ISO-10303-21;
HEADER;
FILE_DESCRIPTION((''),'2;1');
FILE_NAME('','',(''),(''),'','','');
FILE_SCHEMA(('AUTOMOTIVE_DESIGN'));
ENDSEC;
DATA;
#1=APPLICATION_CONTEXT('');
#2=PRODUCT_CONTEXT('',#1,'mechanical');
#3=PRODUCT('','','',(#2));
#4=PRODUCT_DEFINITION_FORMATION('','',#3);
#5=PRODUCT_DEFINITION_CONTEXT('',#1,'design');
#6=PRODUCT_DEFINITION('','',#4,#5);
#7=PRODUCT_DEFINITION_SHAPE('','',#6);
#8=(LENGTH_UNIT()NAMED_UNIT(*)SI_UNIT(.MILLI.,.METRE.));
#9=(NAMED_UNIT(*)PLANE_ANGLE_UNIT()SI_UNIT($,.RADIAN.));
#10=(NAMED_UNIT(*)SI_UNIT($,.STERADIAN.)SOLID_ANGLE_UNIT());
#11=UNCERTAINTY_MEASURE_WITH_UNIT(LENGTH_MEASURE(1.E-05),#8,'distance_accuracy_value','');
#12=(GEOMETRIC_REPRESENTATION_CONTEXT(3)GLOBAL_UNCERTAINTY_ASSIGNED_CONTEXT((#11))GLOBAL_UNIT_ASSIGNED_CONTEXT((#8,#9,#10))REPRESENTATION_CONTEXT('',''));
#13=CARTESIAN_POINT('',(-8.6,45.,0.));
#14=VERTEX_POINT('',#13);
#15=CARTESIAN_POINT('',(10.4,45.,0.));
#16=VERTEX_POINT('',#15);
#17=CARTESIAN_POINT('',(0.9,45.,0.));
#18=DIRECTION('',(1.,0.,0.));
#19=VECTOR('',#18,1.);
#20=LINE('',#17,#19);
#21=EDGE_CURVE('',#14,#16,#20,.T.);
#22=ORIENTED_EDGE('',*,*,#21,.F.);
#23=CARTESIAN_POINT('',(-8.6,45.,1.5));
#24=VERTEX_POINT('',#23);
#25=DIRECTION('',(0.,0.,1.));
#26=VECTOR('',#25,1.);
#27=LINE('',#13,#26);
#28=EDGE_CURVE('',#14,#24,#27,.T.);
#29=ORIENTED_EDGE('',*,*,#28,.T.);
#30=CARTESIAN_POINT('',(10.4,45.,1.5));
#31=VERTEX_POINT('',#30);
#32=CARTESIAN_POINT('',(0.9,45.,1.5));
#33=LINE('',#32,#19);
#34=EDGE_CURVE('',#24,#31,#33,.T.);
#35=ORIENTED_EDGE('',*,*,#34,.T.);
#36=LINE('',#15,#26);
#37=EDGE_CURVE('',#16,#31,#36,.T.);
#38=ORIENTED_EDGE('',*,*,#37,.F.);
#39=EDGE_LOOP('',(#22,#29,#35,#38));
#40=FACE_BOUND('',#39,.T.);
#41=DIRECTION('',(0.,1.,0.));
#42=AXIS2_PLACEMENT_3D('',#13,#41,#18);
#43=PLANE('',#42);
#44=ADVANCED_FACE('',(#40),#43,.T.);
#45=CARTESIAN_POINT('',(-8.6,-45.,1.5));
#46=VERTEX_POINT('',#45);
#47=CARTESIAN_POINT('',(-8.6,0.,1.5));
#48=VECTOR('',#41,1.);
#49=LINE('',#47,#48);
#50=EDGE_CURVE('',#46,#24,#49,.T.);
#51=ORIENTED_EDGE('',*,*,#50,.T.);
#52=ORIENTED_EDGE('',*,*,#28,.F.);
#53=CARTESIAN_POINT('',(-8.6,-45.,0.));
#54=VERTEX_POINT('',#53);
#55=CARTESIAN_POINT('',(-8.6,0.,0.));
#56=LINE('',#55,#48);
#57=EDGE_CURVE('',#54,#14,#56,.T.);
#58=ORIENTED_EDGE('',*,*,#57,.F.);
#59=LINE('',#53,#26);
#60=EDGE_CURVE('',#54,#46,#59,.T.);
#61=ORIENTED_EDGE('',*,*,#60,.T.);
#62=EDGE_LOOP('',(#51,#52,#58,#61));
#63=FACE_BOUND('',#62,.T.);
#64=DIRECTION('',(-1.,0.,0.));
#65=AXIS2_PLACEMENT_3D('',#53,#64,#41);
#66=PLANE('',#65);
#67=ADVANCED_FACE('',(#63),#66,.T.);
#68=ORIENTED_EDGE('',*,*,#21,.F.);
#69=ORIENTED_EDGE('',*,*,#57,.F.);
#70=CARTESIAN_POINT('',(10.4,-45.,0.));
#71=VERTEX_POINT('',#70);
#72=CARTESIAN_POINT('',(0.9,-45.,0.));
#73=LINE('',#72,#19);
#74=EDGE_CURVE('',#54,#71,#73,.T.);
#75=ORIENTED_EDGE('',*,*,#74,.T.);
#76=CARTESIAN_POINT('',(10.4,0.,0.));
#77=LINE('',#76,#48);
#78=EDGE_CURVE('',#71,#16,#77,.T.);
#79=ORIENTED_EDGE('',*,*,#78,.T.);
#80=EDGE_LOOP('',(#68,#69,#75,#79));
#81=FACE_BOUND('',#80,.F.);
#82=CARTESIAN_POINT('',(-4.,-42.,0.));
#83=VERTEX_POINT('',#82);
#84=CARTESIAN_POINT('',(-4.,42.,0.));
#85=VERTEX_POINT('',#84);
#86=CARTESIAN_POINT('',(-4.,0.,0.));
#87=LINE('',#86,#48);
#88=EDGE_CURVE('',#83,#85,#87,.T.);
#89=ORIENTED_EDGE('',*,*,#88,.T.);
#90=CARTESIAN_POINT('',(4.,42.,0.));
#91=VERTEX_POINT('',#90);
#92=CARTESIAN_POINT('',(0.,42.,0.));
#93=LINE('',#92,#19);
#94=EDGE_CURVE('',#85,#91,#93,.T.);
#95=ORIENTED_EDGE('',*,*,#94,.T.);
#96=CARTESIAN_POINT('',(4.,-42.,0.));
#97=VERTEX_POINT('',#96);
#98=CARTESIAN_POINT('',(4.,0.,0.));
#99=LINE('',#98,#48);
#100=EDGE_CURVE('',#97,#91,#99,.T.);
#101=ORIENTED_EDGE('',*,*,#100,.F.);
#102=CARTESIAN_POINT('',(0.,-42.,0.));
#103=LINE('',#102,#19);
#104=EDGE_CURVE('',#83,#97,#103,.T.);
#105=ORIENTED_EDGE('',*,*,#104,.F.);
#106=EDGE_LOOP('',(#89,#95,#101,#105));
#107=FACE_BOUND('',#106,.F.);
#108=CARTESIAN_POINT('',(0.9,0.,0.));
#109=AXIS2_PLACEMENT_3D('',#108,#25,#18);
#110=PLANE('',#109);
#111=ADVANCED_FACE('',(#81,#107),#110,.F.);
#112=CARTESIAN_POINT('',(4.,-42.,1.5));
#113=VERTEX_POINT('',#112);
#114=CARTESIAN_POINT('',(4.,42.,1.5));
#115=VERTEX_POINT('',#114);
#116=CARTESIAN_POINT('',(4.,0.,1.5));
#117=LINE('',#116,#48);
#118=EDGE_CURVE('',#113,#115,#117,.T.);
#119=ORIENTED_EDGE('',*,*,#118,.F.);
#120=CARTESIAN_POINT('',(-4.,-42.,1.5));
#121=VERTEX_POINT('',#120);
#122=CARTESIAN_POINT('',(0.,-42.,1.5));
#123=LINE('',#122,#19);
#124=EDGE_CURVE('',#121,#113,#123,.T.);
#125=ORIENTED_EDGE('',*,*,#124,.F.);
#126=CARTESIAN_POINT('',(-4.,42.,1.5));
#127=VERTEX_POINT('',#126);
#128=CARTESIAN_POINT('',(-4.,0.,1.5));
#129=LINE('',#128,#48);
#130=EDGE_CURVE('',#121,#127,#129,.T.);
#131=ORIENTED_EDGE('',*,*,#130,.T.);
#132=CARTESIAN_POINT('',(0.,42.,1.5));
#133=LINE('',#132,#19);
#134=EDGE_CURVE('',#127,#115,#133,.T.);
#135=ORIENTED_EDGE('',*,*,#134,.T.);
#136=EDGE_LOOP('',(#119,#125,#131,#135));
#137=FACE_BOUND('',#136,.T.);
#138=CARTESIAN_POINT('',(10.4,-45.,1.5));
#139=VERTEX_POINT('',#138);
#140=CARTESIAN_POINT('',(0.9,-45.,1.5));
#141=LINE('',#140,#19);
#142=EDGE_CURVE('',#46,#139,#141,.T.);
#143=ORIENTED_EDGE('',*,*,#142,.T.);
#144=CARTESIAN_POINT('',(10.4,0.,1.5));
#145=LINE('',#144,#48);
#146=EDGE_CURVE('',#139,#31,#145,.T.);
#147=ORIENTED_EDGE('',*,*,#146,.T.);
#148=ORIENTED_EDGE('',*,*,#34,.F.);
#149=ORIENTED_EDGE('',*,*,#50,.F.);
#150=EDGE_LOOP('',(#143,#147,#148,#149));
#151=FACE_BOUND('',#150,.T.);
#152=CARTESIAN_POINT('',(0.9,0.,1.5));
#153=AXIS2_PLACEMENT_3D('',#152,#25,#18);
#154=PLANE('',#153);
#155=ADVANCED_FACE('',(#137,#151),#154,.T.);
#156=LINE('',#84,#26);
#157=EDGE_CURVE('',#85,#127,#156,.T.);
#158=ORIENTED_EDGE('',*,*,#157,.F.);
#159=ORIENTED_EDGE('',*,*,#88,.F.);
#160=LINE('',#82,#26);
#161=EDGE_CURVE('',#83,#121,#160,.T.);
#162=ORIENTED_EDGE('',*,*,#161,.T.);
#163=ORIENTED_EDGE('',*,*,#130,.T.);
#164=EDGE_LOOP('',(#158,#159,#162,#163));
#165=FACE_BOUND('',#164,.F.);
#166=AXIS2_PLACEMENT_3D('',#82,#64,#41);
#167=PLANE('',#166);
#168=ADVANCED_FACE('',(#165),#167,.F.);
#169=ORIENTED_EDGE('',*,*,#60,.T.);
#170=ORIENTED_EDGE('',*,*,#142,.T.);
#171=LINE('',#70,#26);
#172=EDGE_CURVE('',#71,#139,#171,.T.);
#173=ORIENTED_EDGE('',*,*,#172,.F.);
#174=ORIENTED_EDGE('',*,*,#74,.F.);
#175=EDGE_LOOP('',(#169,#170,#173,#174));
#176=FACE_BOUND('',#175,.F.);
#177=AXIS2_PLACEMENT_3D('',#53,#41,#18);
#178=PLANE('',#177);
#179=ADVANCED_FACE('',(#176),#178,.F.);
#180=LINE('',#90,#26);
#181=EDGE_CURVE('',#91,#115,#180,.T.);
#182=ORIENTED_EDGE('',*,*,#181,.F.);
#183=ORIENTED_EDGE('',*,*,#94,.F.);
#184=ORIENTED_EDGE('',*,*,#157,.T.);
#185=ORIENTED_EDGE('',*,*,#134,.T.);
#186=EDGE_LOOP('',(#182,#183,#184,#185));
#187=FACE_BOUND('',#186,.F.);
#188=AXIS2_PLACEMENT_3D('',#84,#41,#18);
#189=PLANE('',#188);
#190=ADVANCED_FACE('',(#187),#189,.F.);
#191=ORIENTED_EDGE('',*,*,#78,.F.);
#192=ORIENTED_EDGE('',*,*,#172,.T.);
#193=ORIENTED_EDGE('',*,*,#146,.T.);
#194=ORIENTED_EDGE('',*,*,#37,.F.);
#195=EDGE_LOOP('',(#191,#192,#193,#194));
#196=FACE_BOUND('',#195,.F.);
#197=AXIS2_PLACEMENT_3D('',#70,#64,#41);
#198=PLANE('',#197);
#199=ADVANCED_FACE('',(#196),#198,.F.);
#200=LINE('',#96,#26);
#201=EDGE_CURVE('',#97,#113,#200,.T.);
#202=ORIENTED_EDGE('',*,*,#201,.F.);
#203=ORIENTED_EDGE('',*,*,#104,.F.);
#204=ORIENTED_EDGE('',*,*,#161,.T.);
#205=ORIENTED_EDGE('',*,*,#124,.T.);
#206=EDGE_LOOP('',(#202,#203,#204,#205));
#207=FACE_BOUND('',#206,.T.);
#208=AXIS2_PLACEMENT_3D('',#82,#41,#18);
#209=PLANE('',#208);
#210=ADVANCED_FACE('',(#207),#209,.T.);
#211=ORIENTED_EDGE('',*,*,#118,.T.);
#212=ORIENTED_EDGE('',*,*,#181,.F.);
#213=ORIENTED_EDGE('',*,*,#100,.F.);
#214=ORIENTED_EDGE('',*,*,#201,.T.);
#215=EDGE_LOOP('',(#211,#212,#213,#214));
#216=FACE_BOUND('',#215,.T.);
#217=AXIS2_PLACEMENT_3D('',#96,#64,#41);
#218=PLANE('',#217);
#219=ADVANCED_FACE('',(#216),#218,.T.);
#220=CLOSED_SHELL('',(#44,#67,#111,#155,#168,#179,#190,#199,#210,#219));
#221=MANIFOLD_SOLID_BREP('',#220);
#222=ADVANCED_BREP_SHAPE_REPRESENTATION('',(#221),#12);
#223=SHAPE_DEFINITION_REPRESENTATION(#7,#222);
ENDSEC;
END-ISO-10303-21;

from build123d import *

# Parameters (mm, degrees)
F0_W     = 19
F0_H     = 90
F0_W_2   = 8
F0_H_2   = 84
F1_DEPTH = 1.5


with BuildPart() as f1:
    # F0 (on Top) → F1 (new body)
    with BuildSketch(Plane.XY):
        with Locations((0.9, 0)):
            Rectangle(F0_W, F0_H)
        Rectangle(F0_W_2, F0_H_2, mode=Mode.SUBTRACT)
    extrude(amount=F1_DEPTH)


solid = f1.part
